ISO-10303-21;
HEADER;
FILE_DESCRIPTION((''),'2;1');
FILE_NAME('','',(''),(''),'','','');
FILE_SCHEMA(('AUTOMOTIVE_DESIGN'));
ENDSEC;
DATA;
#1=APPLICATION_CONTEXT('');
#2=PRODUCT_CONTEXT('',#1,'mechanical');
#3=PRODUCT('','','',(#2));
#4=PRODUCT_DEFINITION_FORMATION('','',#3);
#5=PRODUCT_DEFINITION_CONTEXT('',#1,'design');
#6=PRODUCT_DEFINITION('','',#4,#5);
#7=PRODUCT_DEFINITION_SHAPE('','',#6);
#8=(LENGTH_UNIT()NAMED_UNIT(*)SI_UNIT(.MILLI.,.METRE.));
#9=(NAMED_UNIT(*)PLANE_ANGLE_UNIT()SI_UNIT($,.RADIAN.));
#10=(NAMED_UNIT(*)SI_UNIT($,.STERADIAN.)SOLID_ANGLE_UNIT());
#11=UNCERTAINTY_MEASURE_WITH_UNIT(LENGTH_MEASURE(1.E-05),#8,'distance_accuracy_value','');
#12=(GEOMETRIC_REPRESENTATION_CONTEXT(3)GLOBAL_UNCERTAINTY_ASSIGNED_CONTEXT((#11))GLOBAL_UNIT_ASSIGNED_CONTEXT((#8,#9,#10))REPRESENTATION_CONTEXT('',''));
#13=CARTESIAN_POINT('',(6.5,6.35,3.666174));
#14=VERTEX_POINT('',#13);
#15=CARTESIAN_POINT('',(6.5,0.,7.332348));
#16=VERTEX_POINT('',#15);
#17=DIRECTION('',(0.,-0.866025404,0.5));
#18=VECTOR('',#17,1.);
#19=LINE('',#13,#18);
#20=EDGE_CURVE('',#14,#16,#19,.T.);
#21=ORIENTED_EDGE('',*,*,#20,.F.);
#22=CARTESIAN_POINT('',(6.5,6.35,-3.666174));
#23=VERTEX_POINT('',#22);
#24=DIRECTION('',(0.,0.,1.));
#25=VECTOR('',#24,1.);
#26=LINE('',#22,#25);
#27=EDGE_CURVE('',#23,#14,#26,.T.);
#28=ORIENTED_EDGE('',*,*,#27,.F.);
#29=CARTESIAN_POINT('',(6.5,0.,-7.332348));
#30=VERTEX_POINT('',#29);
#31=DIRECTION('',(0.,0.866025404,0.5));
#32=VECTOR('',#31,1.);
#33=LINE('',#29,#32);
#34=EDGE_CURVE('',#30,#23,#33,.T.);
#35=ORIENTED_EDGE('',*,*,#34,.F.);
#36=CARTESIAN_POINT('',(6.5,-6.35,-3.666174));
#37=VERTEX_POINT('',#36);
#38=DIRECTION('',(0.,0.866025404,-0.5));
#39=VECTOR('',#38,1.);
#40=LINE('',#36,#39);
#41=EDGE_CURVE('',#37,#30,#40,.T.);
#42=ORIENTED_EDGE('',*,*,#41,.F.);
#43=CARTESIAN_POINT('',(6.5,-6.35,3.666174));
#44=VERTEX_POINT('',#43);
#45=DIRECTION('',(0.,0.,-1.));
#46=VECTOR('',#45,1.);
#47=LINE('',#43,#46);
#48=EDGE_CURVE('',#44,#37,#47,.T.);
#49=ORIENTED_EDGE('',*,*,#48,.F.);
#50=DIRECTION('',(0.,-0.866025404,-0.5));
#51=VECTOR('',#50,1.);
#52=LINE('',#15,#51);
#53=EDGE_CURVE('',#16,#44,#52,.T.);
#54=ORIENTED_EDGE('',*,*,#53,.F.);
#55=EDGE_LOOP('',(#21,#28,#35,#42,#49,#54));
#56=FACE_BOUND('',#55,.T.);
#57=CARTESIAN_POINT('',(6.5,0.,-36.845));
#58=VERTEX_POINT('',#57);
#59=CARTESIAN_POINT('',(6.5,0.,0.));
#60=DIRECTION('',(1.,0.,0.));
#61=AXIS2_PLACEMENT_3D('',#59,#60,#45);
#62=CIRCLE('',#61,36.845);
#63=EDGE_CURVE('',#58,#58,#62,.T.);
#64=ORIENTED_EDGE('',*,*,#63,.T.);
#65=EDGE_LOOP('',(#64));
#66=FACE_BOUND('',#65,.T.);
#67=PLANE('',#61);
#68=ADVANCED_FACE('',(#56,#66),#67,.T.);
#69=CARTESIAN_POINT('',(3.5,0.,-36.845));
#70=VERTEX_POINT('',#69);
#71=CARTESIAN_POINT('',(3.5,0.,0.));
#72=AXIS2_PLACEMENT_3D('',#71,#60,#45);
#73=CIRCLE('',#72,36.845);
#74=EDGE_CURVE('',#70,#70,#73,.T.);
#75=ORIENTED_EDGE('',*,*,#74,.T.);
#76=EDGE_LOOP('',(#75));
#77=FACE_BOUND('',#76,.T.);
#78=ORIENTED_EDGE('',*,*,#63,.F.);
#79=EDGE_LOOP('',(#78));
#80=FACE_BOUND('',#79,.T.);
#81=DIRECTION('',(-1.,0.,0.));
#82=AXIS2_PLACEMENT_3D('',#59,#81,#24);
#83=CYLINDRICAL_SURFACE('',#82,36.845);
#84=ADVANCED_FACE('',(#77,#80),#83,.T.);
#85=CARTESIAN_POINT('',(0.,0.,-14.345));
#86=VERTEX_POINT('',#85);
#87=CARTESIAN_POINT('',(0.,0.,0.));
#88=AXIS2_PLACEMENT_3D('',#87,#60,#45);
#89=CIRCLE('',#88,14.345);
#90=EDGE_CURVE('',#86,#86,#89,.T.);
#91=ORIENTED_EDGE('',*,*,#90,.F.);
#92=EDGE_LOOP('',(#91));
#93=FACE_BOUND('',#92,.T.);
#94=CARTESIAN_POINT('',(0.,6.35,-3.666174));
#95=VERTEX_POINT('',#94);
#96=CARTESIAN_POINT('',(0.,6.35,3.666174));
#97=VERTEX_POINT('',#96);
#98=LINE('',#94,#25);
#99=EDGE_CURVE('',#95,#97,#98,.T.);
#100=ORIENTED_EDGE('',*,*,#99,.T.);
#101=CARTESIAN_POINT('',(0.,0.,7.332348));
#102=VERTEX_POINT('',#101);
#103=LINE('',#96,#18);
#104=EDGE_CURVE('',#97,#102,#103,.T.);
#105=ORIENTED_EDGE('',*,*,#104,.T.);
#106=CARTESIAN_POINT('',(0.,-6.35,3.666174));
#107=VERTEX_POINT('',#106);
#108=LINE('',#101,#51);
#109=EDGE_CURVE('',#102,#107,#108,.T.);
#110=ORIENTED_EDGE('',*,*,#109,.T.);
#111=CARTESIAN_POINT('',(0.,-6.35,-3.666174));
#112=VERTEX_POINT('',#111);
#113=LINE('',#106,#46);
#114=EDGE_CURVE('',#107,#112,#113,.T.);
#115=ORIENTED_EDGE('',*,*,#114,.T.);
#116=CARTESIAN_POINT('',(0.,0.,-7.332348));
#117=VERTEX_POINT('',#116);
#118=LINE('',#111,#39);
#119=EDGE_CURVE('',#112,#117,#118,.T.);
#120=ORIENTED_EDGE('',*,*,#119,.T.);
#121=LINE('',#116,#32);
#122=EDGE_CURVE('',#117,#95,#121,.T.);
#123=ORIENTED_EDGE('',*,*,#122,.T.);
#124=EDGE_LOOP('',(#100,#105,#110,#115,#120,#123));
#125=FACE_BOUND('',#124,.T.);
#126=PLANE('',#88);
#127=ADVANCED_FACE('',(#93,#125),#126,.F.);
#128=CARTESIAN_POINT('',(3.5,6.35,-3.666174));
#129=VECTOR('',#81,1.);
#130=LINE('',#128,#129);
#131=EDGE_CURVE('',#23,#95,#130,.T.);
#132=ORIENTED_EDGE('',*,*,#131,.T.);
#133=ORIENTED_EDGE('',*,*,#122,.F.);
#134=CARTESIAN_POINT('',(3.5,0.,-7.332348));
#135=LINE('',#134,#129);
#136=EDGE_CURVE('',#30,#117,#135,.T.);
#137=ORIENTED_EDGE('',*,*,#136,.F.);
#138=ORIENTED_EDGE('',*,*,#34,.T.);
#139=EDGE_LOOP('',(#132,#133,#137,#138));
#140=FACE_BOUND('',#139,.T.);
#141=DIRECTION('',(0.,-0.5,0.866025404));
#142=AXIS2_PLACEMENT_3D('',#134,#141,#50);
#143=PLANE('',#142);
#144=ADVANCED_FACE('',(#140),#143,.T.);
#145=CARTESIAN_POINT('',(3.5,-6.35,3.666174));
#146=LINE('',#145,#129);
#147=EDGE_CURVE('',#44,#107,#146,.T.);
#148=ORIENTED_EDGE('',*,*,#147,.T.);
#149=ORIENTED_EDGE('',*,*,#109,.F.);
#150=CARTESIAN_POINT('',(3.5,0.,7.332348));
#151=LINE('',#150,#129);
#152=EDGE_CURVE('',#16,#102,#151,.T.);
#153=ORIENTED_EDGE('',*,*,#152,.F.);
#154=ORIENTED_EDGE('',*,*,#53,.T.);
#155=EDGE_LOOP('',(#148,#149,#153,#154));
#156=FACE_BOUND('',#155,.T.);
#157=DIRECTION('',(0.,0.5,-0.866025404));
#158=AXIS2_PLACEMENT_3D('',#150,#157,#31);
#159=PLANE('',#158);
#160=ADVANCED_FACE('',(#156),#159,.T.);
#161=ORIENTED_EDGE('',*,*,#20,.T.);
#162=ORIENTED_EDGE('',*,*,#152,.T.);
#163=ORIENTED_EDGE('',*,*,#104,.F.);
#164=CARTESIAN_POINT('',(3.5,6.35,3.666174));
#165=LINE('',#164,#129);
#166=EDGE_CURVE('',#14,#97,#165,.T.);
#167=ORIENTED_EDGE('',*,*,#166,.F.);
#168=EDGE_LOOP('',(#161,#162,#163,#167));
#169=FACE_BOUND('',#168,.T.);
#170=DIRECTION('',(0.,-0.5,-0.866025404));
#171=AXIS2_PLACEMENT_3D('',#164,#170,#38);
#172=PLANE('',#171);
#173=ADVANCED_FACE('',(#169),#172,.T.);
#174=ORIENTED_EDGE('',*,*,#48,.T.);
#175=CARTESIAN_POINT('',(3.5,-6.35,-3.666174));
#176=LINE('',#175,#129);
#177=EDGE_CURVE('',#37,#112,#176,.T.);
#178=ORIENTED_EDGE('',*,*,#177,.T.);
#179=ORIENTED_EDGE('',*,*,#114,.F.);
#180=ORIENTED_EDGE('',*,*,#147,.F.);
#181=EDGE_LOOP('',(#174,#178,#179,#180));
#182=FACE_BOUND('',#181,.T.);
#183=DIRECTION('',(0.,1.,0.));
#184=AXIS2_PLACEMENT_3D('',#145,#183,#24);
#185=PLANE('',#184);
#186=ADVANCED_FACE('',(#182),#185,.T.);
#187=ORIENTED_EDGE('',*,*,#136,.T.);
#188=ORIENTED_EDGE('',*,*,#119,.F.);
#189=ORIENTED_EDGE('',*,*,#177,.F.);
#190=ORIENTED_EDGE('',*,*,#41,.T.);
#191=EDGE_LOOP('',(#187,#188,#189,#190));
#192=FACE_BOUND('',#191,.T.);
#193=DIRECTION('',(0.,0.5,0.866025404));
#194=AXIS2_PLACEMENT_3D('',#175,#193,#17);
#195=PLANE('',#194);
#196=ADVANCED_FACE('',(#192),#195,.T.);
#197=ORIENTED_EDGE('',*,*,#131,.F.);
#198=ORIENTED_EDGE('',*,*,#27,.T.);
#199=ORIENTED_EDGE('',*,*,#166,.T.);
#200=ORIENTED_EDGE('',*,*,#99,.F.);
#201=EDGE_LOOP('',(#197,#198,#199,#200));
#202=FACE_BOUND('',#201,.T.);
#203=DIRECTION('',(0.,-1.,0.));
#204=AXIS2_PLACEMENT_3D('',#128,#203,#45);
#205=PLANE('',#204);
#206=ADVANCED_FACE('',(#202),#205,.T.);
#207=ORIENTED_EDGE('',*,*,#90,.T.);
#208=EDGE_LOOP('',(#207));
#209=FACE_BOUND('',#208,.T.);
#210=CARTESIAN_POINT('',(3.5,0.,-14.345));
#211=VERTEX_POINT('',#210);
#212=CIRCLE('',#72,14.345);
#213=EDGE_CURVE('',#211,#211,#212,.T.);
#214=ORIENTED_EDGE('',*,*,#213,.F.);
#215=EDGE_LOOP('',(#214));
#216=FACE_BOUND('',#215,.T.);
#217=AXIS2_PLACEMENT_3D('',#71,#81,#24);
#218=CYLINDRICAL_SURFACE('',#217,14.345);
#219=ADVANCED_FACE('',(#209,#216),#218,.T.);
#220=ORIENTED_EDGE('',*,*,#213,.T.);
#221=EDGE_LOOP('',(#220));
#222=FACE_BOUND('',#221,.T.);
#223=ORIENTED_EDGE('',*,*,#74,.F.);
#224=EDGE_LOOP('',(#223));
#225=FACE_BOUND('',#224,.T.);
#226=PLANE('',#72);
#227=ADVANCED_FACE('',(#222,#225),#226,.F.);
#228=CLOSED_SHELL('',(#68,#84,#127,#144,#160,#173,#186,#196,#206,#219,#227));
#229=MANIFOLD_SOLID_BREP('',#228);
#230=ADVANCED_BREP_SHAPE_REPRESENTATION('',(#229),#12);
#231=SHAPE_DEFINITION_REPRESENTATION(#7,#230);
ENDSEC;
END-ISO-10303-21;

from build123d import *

# Parameters (mm, degrees)
CROQUIS1_R              = 14.345
SALIENTE_EXTRUIR1_DEPTH = 3.5
CROQUIS2_R              = 36.845
SALIENTE_EXTRUIR2_DEPTH = 3


with BuildPart() as part:
    # Croquis1 → Saliente-Extruir1 (new body)
    with BuildSketch(Plane(origin=(0, 0, 0), x_dir=(0, 0, -1), z_dir=(1, 0, 0))):
        Circle(CROQUIS1_R)
        Polygon((7.332348419, 0), (3.666174209, 6.35), (-3.666174209, 6.35), (-7.332348419, 0), (-3.666174209, -6.35), (3.666174209, -6.35), align=None, mode=Mode.SUBTRACT)
    extrude(amount=SALIENTE_EXTRUIR1_DEPTH)

    # Croquis2 → Saliente-Extruir2 (add)
    with BuildSketch(Plane(origin=(3.5, 0, 0), x_dir=(0, 0, -1), z_dir=(1, 0, 0))):
        Circle(CROQUIS2_R)
        Polygon((7.332348419, 0), (3.666174209, 6.35), (-3.666174209, 6.35), (-7.332348419, 0), (-3.666174209, -6.35), (3.666174209, -6.35), align=None, mode=Mode.SUBTRACT)
    extrude(amount=SALIENTE_EXTRUIR2_DEPTH)


solid = part.part
